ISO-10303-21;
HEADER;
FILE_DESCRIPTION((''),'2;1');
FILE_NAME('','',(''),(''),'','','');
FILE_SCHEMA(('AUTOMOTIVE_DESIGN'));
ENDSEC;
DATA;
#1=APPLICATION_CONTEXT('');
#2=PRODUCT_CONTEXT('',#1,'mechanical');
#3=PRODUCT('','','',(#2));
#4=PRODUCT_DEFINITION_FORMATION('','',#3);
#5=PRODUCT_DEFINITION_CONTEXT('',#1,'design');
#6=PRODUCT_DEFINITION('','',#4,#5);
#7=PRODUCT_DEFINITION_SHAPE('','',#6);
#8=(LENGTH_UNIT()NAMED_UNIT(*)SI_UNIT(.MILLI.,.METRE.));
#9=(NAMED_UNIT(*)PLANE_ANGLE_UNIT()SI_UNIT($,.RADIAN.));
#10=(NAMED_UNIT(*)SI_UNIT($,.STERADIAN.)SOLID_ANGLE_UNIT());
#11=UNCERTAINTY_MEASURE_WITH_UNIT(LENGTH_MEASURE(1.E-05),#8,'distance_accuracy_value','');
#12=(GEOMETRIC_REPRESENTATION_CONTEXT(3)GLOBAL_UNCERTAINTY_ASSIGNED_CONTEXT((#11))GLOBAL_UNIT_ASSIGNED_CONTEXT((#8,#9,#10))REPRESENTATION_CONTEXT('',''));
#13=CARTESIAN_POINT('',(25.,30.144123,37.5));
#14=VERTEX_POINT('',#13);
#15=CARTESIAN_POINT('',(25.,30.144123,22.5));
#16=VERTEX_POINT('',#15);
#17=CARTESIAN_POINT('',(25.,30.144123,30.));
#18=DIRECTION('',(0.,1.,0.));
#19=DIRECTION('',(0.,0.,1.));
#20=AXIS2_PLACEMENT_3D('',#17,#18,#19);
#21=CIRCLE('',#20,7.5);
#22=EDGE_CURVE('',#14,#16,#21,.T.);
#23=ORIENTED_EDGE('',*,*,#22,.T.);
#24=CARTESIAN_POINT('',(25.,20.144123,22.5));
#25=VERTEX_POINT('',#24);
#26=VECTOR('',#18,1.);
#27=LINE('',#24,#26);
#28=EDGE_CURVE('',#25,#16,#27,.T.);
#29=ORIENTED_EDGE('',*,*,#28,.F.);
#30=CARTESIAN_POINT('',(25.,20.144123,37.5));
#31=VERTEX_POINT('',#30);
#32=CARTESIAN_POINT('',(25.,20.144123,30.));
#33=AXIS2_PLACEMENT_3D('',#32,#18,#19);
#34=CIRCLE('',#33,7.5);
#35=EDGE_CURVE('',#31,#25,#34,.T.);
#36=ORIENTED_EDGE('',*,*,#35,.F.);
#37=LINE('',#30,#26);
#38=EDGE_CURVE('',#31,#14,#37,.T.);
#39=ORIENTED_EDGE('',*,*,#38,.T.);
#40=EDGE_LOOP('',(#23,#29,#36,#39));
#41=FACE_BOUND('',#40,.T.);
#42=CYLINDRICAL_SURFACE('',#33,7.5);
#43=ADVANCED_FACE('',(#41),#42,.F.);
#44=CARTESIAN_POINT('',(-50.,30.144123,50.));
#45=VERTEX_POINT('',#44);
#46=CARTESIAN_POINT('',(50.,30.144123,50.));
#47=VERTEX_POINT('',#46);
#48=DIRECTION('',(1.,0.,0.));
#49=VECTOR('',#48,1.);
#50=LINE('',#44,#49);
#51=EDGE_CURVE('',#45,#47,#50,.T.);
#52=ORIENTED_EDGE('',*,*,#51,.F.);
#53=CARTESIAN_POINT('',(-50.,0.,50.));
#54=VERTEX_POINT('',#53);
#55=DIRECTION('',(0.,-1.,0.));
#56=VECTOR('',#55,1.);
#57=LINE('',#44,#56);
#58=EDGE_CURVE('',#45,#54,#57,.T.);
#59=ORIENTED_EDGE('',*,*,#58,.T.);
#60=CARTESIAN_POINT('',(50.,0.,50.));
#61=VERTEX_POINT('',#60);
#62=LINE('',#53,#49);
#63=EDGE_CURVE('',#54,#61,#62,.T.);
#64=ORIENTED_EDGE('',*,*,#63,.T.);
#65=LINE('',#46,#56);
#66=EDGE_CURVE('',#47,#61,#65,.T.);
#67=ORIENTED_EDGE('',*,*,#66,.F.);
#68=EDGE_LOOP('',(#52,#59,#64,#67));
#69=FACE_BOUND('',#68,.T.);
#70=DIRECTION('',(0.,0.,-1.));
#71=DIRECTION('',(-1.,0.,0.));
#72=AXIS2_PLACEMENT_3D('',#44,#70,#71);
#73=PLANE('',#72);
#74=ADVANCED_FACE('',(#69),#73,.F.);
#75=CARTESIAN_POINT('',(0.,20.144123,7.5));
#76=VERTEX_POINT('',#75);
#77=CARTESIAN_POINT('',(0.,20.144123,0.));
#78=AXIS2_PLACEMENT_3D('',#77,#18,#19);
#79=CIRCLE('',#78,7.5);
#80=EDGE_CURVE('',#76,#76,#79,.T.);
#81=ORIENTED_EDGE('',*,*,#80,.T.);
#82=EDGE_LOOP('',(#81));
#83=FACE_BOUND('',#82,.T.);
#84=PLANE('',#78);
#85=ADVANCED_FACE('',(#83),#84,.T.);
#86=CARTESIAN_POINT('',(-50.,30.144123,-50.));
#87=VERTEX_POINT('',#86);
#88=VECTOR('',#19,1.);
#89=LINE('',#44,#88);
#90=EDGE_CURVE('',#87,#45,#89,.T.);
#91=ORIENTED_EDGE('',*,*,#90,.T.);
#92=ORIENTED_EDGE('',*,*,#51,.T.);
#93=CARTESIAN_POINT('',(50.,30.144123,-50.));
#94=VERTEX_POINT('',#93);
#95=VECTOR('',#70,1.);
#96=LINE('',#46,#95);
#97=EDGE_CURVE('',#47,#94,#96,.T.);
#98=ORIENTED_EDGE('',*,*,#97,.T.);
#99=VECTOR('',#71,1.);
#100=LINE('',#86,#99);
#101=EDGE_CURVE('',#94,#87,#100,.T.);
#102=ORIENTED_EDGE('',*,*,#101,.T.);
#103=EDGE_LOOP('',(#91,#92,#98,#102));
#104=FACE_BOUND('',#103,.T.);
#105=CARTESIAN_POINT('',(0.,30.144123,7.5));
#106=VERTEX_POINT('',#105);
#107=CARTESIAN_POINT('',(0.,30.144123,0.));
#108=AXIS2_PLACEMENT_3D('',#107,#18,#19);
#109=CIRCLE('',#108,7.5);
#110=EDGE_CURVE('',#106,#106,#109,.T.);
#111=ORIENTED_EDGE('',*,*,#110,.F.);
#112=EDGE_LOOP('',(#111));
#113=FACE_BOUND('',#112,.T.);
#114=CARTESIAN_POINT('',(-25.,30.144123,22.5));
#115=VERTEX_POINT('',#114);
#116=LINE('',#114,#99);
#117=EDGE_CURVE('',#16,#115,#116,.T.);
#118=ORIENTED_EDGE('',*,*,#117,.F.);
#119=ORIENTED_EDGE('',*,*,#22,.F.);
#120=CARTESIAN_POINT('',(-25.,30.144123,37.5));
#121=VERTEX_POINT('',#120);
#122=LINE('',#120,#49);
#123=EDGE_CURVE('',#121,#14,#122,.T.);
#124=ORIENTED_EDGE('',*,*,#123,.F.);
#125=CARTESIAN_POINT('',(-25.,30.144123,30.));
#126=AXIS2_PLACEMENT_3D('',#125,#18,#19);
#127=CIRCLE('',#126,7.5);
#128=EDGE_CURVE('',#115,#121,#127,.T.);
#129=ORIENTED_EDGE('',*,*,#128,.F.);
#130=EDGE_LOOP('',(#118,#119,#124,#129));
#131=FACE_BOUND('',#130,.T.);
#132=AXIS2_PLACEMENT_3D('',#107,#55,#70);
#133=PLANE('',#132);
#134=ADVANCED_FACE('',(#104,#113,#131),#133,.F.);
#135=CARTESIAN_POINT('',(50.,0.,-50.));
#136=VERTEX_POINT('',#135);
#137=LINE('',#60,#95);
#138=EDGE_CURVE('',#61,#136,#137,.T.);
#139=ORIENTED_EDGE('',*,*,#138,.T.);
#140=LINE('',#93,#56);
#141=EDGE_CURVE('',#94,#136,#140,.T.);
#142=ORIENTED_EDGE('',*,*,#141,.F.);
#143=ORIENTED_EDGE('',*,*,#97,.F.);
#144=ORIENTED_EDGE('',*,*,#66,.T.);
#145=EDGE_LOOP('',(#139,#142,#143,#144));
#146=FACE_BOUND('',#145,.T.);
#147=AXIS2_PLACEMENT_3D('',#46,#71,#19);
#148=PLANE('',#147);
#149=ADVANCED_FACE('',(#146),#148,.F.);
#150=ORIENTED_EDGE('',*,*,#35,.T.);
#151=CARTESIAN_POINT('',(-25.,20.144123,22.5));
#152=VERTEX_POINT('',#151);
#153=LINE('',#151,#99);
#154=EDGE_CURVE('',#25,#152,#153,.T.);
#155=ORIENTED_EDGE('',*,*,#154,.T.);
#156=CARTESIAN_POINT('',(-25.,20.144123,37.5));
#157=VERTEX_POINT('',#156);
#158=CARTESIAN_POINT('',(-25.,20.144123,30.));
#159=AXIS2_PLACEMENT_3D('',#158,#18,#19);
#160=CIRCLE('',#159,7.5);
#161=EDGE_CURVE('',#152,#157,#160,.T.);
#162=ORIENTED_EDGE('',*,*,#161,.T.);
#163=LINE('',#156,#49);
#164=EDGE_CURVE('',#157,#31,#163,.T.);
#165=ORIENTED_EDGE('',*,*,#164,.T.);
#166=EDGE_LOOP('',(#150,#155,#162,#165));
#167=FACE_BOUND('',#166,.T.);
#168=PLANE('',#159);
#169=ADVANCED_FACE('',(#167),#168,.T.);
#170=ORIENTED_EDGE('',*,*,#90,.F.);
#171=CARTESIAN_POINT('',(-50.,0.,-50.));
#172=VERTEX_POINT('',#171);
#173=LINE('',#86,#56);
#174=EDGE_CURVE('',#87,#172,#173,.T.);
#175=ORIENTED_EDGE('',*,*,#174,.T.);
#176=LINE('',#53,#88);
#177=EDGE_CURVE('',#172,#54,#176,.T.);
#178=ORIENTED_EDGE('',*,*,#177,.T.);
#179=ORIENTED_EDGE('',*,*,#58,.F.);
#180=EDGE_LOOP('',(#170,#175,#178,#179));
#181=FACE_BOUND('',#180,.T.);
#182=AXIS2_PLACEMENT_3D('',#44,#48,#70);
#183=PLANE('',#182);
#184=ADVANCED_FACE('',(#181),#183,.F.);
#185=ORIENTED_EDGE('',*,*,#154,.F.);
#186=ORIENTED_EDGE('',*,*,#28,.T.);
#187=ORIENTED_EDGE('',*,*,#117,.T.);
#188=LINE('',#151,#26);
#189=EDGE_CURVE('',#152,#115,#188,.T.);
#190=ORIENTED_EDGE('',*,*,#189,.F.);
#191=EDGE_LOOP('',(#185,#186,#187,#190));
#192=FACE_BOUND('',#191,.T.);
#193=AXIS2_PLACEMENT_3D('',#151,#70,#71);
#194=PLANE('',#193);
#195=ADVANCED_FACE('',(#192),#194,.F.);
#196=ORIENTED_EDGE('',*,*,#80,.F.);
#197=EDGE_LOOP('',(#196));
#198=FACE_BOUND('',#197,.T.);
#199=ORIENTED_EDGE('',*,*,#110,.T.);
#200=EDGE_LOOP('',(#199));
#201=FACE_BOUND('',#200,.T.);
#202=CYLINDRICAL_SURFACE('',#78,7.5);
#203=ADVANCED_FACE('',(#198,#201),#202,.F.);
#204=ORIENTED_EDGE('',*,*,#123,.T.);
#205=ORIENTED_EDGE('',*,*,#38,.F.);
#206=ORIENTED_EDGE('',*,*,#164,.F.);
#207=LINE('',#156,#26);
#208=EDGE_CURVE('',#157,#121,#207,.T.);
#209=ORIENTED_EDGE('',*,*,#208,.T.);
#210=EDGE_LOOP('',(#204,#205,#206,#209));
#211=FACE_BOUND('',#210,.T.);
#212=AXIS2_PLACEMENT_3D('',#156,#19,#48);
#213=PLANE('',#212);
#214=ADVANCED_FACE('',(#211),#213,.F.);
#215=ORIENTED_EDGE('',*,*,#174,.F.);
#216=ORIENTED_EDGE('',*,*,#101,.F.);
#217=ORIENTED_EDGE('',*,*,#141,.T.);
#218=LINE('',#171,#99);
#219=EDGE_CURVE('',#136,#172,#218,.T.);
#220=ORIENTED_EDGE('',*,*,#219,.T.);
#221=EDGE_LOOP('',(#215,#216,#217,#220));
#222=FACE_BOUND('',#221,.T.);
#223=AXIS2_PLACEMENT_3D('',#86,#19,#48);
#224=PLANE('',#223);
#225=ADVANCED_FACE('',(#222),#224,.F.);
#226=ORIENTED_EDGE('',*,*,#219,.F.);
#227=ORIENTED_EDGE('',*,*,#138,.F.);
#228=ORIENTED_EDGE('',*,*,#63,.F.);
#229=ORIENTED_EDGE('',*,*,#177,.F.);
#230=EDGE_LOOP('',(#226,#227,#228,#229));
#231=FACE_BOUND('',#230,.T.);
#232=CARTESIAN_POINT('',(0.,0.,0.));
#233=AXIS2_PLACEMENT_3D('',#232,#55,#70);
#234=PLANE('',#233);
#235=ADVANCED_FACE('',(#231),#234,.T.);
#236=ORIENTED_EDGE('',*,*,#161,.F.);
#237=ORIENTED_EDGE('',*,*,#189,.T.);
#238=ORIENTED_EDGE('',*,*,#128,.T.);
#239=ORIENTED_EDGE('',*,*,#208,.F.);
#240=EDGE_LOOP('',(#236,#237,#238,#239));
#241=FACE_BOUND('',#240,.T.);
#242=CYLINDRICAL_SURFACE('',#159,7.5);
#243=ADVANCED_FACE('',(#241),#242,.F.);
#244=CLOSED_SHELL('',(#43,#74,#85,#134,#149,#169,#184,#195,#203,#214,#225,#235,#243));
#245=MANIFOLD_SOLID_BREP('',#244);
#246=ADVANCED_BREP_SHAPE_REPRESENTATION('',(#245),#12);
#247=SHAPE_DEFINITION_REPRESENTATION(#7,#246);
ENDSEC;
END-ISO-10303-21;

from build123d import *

# Parameters (mm, degrees)
EXTRUDE_1_DEPTH     = 30.144123077
SKETCH_2_W          = 100
SKETCH_2_H          = 100
EXTRUDE_1_2_DEPTH   = 30.144123077
SKETCH_3_R          = 7.5
CUT_EXTRUDE_1_DEPTH = 10
CUT_EXTRUDE_3_DEPTH = 190.231784212


with BuildPart() as part:
    # 草图2 → 凸台-拉伸1 (new body)
    with BuildSketch(Plane(origin=(0, 0, 0), x_dir=(1, 0, 0), z_dir=(0, 1, 0))):
        Polygon((80, 50), (80, -50), (180, -50), align=None)
    extrude(amount=EXTRUDE_1_DEPTH)


with BuildPart() as body_2:
    # 草图2 → Extrude 1 2 (new body)
    with BuildSketch(Plane(origin=(0, 0, 0), x_dir=(1, 0, 0), z_dir=(0, 1, 0))):
        Rectangle(SKETCH_2_W, SKETCH_2_H)
    extrude(amount=EXTRUDE_1_2_DEPTH)

    # 草图3 → 切除-拉伸1 (cut)
    with BuildSketch(Plane(origin=(0, 30.144123077, 0), x_dir=(1, 0, 0), z_dir=(0, 1, 0))):
        Circle(SKETCH_3_R)
        with BuildLine():
            Line((-25, -22.5), (25, -22.5))
            ThreePointArc((25, -22.5), (32.5, -30), (25, -37.5))
            Line((25, -37.5), (-25, -37.5))
            ThreePointArc((-25, -37.5), (-32.5, -30), (-25, -22.5))
        make_face()
    extrude(amount=-CUT_EXTRUDE_1_DEPTH, mode=Mode.SUBTRACT)


with BuildPart() as body_3:
    # 镜向2: mirrored copy
    add(part.part.mirror(Plane(origin=(0, 0, 0), x_dir=(0, 0, 1), z_dir=(1, 0, 0))))


with BuildPart() as cut_extrude_3_tool:
    # 草图6 → 切除-拉伸3 (new, through all)
    with BuildSketch(Plane(origin=(0, 30.144123077, 0), x_dir=(1, 0, 0), z_dir=(0, 1, 0))):
        Polygon((-80, -50), (-80, 50), (-180, -50), align=None)
        Polygon((80, -50), (180, -50), (80, 50), align=None)
    extrude(amount=-CUT_EXTRUDE_3_DEPTH)


with BuildPart() as part_1:
    add(part.part)

    # 切除-拉伸3: cut by cut_extrude_3_tool
    add(cut_extrude_3_tool.part, mode=Mode.SUBTRACT)


with BuildPart() as body_3_1:
    add(body_3.part)

    # 切除-拉伸3: cut by cut_extrude_3_tool
    add(cut_extrude_3_tool.part, mode=Mode.SUBTRACT)


solid = body_2.part
